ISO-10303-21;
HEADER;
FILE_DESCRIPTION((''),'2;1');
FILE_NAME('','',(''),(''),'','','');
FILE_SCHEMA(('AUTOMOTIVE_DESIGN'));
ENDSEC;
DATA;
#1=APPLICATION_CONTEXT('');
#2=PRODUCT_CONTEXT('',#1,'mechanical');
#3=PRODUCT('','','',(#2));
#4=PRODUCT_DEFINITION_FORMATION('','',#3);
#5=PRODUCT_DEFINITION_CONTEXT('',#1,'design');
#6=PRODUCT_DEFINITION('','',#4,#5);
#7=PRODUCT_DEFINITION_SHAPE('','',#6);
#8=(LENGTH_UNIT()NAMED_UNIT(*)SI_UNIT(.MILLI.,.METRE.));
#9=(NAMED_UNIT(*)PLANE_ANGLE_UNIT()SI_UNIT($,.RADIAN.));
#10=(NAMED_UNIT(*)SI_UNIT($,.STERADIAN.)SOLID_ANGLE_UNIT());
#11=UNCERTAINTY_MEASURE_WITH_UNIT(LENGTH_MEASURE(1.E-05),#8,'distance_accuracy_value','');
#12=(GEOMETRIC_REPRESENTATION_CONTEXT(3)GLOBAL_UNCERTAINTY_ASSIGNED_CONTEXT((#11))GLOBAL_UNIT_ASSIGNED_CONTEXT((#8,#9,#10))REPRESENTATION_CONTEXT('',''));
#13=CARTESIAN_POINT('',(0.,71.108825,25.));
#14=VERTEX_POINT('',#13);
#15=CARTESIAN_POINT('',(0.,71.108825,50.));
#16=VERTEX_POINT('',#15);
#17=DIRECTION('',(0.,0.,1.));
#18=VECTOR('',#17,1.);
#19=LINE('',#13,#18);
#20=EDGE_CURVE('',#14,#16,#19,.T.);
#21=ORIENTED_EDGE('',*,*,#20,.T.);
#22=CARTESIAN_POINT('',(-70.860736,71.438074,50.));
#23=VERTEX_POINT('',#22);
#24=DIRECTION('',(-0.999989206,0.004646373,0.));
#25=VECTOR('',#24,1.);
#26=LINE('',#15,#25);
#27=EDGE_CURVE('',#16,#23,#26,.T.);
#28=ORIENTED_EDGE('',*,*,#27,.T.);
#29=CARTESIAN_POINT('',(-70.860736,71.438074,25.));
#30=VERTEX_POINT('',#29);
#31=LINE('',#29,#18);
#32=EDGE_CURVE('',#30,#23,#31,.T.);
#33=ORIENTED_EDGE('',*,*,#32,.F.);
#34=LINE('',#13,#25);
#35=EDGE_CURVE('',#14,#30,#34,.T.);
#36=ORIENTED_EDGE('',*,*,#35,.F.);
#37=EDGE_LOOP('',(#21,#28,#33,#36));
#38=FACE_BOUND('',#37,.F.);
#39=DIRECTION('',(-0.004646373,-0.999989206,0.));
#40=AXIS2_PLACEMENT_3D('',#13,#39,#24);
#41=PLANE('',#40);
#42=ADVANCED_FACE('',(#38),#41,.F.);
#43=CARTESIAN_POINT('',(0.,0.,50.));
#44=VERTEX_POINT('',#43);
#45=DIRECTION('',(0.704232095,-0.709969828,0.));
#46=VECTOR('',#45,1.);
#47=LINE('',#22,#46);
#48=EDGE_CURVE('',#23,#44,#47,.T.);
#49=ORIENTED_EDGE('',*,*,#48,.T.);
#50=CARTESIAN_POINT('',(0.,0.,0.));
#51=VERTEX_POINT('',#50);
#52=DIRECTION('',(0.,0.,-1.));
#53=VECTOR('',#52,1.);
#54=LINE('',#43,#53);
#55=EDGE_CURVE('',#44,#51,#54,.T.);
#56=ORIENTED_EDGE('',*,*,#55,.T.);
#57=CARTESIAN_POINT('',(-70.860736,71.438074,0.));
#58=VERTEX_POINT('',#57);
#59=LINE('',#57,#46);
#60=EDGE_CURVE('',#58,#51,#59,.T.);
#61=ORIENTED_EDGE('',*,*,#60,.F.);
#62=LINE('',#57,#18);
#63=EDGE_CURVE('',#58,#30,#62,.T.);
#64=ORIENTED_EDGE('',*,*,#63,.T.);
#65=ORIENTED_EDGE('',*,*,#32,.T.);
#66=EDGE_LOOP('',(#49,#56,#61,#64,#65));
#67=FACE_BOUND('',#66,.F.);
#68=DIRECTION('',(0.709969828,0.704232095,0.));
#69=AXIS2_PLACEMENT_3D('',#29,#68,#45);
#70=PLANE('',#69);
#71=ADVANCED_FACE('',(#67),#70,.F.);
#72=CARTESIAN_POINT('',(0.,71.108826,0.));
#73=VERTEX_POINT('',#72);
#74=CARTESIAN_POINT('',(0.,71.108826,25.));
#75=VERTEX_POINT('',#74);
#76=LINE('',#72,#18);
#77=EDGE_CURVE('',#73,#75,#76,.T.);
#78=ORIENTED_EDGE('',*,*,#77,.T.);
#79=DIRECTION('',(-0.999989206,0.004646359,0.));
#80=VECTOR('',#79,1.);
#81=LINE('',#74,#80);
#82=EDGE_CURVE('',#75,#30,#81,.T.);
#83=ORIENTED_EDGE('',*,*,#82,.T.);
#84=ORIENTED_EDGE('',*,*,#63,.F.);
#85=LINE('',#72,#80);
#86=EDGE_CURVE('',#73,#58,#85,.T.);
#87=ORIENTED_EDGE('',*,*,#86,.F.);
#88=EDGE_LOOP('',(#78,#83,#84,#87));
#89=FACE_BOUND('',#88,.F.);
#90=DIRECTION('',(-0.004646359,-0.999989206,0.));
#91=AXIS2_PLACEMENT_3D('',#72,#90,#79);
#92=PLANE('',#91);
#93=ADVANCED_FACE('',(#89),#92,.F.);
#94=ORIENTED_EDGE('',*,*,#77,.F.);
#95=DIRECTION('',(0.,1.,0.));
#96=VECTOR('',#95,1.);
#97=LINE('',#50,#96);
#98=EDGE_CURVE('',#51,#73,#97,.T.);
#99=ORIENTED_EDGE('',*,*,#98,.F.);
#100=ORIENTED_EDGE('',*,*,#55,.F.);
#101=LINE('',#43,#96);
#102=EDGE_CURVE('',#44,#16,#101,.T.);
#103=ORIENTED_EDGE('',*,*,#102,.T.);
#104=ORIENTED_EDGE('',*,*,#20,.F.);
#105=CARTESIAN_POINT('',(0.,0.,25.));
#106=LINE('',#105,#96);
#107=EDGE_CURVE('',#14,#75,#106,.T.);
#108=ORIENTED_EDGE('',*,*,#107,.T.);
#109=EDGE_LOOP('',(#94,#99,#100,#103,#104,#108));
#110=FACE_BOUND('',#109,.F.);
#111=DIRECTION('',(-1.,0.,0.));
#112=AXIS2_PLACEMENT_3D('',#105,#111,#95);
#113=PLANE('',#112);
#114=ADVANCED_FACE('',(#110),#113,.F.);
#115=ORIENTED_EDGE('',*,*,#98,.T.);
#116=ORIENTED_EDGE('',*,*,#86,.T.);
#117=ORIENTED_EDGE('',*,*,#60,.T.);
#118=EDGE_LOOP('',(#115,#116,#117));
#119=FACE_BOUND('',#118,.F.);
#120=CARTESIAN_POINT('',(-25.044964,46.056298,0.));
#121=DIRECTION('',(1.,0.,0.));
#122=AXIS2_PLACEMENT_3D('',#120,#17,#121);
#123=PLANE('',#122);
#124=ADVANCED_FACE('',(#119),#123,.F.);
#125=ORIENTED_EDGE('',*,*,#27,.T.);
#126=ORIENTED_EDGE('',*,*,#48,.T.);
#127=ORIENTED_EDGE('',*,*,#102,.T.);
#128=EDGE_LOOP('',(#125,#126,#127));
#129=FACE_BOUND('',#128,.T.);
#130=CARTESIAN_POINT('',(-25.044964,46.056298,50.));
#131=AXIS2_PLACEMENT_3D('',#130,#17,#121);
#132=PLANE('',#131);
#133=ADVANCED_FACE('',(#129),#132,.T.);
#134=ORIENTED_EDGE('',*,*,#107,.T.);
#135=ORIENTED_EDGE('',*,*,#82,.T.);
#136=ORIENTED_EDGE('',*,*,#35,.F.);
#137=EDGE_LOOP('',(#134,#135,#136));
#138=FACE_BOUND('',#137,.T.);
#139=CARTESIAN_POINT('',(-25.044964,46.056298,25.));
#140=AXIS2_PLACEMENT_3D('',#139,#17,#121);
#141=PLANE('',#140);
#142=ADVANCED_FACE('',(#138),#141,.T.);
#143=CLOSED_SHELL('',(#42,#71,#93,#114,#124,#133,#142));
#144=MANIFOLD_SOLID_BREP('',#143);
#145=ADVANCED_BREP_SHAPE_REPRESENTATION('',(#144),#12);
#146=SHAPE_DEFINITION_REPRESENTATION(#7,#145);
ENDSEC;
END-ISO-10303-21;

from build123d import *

# Parameters (mm, degrees)
F1_DEPTH = 25
F2_DEPTH = 25


with BuildPart() as f1:
    # F0 (on Top) → F1 (new body)
    with BuildSketch(Plane.XY):
        Polygon((-70.860736, 71.438074), (0, 0), (0, 71.108826), align=None)
    extrude(amount=F1_DEPTH)

    # F1_face (on face) → F2 (join)
    with BuildSketch(Plane(origin=(-23.620245, 47.515633, 25), x_dir=(1, 0, 0), z_dir=(0, 0, 1))):
        Polygon((23.620245, 23.593192), (-47.240491, 23.922441), (23.620245, -47.515633), align=None)
    extrude(amount=F2_DEPTH)


solid = f1.part
